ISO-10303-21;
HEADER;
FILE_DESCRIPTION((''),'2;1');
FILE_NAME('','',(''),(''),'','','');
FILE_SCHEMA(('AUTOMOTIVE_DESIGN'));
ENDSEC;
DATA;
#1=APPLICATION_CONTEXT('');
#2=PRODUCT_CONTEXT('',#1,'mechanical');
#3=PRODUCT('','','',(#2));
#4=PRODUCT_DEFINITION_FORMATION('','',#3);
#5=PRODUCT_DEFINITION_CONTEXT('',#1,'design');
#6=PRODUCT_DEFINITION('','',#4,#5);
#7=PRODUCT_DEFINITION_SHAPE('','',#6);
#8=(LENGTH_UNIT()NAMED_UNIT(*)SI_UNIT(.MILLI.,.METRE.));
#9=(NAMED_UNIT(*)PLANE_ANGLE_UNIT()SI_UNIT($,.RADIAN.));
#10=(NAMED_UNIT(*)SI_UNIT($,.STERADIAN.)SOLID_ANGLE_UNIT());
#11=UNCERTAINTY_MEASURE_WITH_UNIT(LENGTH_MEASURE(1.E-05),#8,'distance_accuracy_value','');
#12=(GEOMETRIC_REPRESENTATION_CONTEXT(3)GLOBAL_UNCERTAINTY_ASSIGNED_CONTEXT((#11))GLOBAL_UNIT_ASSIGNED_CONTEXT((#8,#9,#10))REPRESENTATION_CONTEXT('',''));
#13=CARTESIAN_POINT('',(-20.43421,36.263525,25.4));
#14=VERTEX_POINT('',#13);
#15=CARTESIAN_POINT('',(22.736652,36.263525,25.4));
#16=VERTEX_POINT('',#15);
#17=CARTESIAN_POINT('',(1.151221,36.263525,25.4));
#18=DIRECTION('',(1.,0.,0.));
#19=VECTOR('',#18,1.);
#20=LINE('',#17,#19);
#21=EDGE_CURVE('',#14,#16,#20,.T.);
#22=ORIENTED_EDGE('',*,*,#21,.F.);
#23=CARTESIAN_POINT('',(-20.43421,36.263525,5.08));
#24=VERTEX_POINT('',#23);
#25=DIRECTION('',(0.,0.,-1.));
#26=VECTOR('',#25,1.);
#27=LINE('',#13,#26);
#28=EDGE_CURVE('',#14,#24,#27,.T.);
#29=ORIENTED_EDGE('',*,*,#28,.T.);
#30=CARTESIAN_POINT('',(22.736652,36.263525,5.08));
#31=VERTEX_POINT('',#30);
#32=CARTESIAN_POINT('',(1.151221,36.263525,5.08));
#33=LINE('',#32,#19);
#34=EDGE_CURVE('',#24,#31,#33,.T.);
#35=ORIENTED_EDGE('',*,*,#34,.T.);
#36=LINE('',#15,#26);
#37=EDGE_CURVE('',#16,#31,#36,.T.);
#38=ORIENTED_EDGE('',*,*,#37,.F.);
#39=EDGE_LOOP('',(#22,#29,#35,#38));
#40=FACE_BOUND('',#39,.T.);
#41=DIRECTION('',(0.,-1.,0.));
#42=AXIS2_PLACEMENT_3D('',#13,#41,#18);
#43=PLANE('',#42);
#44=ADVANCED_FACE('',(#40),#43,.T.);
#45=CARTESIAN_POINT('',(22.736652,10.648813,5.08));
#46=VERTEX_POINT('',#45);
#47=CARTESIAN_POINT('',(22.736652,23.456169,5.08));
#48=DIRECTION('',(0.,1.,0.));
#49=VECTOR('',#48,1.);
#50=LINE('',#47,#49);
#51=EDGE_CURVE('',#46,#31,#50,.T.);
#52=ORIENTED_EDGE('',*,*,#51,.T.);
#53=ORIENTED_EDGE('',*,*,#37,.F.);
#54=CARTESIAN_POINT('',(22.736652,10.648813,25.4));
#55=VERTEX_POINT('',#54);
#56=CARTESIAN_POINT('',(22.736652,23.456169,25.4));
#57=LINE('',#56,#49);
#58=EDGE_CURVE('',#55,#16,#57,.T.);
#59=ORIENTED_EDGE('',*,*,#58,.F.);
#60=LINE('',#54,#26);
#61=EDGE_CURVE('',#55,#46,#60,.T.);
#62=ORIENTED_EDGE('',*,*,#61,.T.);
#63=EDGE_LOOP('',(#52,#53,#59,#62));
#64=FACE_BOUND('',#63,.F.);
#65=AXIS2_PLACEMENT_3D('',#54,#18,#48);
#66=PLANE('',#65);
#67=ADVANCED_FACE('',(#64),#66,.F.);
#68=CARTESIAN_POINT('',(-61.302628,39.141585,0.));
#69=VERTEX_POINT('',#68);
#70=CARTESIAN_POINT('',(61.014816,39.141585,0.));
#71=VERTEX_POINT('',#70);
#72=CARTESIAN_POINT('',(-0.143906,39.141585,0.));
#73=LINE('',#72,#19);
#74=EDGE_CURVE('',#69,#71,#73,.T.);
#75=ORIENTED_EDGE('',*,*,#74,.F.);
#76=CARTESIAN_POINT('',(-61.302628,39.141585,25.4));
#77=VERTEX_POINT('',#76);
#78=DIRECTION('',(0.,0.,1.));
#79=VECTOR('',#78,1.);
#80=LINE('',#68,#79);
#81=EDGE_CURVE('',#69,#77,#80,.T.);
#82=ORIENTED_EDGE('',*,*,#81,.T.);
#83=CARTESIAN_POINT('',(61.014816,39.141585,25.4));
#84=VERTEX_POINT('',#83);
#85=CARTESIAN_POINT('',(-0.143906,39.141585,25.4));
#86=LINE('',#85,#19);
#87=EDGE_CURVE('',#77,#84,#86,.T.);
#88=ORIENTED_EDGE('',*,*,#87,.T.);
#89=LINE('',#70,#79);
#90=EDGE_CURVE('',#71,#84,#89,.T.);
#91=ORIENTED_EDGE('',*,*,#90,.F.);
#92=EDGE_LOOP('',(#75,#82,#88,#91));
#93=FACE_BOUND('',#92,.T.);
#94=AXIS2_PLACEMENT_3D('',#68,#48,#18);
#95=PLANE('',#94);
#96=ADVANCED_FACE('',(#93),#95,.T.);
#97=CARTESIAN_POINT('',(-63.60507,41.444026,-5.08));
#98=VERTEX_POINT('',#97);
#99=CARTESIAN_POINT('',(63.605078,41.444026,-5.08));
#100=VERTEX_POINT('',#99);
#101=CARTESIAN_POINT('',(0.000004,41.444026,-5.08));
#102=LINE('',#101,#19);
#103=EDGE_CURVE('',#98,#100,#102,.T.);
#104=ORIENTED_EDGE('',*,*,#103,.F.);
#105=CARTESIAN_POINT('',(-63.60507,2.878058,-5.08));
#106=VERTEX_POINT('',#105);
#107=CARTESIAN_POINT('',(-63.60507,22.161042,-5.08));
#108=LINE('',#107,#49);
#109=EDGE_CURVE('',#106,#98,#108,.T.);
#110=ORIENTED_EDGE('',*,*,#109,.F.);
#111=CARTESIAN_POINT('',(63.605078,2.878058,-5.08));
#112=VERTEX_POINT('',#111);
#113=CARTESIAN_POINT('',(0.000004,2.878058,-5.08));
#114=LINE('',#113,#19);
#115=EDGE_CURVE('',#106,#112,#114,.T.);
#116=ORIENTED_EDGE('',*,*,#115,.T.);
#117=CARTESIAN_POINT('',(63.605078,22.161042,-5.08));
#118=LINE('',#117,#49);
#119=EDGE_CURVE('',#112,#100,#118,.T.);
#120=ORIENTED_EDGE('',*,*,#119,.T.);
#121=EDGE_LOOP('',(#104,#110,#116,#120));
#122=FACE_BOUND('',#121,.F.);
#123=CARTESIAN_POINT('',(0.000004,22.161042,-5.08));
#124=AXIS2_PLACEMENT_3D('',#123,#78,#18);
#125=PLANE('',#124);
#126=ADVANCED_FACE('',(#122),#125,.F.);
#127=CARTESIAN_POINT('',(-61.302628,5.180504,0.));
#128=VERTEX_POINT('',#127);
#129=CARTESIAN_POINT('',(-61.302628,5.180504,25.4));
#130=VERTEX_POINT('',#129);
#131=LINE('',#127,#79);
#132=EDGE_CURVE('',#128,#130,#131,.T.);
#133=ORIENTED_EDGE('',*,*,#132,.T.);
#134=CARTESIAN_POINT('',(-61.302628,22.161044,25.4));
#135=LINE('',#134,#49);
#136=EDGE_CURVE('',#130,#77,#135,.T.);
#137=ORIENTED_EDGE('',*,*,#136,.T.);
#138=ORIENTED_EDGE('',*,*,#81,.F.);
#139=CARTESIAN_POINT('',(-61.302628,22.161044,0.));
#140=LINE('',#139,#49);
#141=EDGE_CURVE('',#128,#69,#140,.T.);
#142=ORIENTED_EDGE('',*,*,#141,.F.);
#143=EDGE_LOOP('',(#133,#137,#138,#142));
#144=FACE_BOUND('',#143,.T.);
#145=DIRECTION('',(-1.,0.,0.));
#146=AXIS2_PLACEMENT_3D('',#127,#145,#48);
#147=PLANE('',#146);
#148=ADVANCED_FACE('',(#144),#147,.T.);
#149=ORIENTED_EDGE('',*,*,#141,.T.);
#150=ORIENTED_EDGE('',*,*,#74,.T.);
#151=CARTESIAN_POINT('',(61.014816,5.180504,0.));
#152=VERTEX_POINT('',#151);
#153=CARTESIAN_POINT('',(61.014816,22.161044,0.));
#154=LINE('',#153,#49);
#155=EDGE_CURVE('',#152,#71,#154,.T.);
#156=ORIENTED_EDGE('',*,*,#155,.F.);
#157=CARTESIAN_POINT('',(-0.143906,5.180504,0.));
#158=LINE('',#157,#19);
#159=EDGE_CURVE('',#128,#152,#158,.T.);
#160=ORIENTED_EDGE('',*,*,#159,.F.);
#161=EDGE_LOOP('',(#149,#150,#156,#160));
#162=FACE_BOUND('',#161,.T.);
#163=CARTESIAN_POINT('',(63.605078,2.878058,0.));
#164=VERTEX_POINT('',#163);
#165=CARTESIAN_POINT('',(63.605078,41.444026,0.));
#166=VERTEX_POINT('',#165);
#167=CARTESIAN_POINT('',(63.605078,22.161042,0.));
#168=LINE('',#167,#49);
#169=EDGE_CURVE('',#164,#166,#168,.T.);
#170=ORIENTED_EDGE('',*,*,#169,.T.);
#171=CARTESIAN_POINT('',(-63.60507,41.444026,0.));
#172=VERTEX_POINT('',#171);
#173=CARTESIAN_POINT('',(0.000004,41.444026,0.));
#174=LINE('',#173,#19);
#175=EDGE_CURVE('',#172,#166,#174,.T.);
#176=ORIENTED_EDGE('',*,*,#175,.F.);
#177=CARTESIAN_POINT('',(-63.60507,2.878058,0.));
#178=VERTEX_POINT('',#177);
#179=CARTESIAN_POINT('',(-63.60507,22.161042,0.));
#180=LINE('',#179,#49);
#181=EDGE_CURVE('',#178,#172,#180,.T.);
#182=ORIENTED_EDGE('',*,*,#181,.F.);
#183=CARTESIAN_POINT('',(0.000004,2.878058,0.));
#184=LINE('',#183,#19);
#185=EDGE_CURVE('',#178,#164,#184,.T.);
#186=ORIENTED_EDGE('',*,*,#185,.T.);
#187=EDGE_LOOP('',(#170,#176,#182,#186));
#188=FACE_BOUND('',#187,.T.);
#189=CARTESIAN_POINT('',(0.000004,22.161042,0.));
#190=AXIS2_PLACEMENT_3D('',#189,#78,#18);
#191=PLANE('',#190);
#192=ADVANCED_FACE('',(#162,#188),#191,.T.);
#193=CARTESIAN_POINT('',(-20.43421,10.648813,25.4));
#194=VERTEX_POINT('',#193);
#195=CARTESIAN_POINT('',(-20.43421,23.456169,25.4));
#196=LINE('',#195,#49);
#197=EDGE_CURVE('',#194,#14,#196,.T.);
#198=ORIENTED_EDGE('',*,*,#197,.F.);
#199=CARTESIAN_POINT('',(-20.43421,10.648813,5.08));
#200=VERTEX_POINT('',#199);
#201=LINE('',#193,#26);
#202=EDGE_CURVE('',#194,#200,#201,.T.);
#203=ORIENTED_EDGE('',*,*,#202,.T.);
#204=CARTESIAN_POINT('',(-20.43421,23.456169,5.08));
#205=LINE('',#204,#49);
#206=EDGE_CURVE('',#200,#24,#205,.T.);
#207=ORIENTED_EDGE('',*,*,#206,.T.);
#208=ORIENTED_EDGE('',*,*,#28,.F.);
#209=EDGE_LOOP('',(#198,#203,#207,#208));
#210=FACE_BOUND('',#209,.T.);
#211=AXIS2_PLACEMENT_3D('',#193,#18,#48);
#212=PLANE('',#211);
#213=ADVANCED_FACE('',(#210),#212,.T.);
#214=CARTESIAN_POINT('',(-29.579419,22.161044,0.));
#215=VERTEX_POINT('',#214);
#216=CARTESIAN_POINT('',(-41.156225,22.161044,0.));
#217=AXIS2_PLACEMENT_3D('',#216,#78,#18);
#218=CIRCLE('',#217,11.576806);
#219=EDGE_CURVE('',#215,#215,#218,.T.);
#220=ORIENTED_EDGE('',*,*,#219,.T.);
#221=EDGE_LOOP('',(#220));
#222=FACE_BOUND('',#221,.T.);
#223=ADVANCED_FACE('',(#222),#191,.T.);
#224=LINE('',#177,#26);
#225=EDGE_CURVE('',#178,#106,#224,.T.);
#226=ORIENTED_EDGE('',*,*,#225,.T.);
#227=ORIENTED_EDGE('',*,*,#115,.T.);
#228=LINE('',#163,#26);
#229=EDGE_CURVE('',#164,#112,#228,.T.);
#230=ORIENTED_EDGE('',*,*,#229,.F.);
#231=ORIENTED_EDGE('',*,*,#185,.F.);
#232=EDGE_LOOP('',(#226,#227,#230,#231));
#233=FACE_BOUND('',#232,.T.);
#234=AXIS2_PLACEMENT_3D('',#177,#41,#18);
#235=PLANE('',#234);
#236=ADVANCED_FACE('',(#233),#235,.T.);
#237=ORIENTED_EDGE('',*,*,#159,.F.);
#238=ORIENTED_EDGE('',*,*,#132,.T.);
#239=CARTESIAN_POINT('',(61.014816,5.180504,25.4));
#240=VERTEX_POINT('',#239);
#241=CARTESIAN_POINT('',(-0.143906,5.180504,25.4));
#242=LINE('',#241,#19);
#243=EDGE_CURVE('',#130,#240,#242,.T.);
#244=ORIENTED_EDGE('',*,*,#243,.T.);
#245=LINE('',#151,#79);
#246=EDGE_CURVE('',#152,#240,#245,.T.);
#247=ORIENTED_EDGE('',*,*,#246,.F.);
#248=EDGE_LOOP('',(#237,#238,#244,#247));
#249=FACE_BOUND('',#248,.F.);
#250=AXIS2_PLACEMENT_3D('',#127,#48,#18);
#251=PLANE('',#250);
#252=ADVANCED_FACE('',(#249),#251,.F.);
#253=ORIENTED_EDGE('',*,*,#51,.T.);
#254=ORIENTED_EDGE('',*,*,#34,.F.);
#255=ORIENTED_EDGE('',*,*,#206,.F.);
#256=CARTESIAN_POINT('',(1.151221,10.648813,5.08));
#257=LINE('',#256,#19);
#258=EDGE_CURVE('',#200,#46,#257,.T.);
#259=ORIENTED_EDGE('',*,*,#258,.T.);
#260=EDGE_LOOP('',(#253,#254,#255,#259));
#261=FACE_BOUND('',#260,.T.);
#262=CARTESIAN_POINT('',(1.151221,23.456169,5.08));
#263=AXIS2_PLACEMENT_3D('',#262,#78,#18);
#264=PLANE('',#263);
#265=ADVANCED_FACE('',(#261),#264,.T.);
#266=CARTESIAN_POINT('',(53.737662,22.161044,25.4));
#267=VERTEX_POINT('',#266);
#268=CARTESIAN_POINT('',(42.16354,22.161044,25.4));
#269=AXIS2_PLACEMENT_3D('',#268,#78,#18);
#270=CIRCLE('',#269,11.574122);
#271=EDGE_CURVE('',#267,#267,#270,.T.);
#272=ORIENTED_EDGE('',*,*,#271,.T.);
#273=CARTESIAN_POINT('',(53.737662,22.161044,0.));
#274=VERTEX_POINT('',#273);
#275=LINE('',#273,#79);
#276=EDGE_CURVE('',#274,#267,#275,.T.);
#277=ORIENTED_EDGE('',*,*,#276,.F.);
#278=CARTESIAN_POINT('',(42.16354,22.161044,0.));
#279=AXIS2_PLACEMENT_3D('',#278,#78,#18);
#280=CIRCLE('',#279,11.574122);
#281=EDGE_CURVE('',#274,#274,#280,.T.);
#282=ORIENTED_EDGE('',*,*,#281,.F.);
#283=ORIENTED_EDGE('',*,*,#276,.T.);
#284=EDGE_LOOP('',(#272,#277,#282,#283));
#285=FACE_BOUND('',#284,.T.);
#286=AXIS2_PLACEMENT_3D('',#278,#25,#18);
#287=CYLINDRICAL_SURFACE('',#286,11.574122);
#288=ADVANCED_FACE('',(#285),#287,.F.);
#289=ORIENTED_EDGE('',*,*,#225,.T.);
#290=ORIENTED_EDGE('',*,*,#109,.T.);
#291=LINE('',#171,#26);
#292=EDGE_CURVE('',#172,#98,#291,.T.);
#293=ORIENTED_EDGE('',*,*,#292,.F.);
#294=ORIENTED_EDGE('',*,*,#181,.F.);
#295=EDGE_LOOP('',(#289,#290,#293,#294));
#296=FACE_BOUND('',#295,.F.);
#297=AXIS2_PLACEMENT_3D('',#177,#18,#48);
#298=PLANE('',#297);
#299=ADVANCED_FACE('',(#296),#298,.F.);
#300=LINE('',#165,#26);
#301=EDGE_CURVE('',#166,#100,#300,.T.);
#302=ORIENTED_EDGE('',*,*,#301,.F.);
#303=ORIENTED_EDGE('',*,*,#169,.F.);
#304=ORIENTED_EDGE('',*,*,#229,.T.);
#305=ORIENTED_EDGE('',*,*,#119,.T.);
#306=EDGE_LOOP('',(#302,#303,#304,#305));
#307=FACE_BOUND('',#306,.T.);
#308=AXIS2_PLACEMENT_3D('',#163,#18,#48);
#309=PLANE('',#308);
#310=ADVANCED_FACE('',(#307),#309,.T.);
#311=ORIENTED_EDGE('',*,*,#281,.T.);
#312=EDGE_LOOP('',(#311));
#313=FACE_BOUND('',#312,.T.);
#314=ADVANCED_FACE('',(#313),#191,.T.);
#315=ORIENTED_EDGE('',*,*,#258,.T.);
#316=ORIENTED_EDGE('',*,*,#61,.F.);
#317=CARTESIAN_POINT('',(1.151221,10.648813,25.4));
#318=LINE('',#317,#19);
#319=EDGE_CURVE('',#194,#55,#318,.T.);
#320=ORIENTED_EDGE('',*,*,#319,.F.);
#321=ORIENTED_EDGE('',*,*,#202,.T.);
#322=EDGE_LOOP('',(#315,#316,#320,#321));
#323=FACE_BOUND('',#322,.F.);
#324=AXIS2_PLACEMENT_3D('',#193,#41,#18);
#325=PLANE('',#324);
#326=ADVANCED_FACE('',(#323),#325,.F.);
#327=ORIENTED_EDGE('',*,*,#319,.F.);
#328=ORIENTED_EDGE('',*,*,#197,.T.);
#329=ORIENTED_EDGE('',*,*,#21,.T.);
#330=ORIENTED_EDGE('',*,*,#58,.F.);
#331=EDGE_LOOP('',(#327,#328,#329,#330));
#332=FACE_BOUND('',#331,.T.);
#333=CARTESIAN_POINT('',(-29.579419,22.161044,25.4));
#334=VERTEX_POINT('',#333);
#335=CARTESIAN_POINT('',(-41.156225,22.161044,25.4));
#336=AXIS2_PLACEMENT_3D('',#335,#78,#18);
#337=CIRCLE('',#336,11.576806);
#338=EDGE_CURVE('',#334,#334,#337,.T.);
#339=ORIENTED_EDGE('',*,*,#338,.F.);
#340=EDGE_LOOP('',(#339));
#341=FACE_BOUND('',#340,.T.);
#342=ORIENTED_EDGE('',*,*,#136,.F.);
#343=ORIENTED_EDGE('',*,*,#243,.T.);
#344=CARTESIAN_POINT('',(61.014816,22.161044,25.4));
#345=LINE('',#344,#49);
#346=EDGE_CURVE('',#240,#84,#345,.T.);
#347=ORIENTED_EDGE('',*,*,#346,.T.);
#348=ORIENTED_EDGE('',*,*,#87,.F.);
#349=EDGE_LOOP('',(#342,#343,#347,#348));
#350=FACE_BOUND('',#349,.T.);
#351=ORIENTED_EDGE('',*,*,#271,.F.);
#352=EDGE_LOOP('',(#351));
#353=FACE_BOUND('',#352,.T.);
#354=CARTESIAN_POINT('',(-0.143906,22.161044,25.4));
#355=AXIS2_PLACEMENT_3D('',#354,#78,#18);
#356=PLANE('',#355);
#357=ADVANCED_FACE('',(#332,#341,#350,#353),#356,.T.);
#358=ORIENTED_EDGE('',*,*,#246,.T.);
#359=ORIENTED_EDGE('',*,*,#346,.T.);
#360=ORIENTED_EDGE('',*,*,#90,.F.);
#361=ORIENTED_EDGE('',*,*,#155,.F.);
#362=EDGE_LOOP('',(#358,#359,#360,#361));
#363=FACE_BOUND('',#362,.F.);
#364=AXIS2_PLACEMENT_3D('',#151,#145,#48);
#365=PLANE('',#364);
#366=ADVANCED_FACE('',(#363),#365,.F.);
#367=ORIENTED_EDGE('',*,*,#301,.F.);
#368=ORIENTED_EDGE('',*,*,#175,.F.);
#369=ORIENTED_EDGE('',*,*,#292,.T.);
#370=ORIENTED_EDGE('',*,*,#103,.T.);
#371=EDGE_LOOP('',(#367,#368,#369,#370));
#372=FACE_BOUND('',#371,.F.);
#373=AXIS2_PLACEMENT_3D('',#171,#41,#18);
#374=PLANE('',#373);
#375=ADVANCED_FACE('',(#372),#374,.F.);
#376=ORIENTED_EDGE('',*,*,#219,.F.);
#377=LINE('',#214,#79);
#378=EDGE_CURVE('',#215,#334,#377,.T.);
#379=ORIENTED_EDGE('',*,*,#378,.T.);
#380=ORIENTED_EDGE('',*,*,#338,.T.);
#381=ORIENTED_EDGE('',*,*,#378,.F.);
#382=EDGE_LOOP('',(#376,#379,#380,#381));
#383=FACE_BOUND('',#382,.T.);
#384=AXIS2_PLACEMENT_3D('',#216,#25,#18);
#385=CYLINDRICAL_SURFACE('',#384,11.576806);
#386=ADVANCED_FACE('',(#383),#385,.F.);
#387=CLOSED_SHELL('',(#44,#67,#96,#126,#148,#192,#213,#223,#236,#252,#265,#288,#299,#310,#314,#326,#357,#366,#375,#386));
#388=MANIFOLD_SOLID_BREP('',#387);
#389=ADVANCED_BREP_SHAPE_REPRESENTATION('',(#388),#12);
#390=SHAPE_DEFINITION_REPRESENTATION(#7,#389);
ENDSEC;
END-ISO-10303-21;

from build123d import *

# Parameters (mm, degrees)
F0_W     = 127.210148
F0_H     = 38.565968
F1_DEPTH = 5.08
F2_W     = 122.317444
F2_H     = 33.961081
F2_R     = 11.576806
F2_R_2   = 11.574122
F3_DEPTH = 25.4
F4_W     = 40.869429
F4_H     = 29.961394
F5_DEPTH = 22.86
F6_W     = 43.170862
F6_H     = 25.614712
F7_DEPTH = 20.32


with BuildPart() as f1:
    # F0 (on Top) → F1 (new body)
    with BuildSketch(Plane.XY):
        with Locations((4e-06, 22.161042)):
            Rectangle(F0_W, F0_H)
    extrude(amount=-F1_DEPTH)

    # F2 (on face) → F3 (join)
    with BuildSketch(Plane.XY):
        with Locations((-0.143906, 22.161044)):
            Rectangle(F2_W, F2_H)
        with Locations((-41.156225, 22.161044)):
            Circle(F2_R, mode=Mode.SUBTRACT)
        with Locations((42.16354, 22.161044)):
            Circle(F2_R_2, mode=Mode.SUBTRACT)
    extrude(amount=F3_DEPTH)

    # F4 (on face) → F5 (join)
    with BuildSketch(Plane.XY.offset(25.4)):
        with Locations((0.288312, 22.15811)):
            Rectangle(F4_W, F4_H)
    extrude(amount=-F5_DEPTH)

    # F6 (on face) → F7 (cut)
    with BuildSketch(Plane.XY.offset(25.4)):
        with Locations((1.151221, 23.456169)):
            Rectangle(F6_W, F6_H)
    extrude(amount=-F7_DEPTH, mode=Mode.SUBTRACT)


solid = f1.part
